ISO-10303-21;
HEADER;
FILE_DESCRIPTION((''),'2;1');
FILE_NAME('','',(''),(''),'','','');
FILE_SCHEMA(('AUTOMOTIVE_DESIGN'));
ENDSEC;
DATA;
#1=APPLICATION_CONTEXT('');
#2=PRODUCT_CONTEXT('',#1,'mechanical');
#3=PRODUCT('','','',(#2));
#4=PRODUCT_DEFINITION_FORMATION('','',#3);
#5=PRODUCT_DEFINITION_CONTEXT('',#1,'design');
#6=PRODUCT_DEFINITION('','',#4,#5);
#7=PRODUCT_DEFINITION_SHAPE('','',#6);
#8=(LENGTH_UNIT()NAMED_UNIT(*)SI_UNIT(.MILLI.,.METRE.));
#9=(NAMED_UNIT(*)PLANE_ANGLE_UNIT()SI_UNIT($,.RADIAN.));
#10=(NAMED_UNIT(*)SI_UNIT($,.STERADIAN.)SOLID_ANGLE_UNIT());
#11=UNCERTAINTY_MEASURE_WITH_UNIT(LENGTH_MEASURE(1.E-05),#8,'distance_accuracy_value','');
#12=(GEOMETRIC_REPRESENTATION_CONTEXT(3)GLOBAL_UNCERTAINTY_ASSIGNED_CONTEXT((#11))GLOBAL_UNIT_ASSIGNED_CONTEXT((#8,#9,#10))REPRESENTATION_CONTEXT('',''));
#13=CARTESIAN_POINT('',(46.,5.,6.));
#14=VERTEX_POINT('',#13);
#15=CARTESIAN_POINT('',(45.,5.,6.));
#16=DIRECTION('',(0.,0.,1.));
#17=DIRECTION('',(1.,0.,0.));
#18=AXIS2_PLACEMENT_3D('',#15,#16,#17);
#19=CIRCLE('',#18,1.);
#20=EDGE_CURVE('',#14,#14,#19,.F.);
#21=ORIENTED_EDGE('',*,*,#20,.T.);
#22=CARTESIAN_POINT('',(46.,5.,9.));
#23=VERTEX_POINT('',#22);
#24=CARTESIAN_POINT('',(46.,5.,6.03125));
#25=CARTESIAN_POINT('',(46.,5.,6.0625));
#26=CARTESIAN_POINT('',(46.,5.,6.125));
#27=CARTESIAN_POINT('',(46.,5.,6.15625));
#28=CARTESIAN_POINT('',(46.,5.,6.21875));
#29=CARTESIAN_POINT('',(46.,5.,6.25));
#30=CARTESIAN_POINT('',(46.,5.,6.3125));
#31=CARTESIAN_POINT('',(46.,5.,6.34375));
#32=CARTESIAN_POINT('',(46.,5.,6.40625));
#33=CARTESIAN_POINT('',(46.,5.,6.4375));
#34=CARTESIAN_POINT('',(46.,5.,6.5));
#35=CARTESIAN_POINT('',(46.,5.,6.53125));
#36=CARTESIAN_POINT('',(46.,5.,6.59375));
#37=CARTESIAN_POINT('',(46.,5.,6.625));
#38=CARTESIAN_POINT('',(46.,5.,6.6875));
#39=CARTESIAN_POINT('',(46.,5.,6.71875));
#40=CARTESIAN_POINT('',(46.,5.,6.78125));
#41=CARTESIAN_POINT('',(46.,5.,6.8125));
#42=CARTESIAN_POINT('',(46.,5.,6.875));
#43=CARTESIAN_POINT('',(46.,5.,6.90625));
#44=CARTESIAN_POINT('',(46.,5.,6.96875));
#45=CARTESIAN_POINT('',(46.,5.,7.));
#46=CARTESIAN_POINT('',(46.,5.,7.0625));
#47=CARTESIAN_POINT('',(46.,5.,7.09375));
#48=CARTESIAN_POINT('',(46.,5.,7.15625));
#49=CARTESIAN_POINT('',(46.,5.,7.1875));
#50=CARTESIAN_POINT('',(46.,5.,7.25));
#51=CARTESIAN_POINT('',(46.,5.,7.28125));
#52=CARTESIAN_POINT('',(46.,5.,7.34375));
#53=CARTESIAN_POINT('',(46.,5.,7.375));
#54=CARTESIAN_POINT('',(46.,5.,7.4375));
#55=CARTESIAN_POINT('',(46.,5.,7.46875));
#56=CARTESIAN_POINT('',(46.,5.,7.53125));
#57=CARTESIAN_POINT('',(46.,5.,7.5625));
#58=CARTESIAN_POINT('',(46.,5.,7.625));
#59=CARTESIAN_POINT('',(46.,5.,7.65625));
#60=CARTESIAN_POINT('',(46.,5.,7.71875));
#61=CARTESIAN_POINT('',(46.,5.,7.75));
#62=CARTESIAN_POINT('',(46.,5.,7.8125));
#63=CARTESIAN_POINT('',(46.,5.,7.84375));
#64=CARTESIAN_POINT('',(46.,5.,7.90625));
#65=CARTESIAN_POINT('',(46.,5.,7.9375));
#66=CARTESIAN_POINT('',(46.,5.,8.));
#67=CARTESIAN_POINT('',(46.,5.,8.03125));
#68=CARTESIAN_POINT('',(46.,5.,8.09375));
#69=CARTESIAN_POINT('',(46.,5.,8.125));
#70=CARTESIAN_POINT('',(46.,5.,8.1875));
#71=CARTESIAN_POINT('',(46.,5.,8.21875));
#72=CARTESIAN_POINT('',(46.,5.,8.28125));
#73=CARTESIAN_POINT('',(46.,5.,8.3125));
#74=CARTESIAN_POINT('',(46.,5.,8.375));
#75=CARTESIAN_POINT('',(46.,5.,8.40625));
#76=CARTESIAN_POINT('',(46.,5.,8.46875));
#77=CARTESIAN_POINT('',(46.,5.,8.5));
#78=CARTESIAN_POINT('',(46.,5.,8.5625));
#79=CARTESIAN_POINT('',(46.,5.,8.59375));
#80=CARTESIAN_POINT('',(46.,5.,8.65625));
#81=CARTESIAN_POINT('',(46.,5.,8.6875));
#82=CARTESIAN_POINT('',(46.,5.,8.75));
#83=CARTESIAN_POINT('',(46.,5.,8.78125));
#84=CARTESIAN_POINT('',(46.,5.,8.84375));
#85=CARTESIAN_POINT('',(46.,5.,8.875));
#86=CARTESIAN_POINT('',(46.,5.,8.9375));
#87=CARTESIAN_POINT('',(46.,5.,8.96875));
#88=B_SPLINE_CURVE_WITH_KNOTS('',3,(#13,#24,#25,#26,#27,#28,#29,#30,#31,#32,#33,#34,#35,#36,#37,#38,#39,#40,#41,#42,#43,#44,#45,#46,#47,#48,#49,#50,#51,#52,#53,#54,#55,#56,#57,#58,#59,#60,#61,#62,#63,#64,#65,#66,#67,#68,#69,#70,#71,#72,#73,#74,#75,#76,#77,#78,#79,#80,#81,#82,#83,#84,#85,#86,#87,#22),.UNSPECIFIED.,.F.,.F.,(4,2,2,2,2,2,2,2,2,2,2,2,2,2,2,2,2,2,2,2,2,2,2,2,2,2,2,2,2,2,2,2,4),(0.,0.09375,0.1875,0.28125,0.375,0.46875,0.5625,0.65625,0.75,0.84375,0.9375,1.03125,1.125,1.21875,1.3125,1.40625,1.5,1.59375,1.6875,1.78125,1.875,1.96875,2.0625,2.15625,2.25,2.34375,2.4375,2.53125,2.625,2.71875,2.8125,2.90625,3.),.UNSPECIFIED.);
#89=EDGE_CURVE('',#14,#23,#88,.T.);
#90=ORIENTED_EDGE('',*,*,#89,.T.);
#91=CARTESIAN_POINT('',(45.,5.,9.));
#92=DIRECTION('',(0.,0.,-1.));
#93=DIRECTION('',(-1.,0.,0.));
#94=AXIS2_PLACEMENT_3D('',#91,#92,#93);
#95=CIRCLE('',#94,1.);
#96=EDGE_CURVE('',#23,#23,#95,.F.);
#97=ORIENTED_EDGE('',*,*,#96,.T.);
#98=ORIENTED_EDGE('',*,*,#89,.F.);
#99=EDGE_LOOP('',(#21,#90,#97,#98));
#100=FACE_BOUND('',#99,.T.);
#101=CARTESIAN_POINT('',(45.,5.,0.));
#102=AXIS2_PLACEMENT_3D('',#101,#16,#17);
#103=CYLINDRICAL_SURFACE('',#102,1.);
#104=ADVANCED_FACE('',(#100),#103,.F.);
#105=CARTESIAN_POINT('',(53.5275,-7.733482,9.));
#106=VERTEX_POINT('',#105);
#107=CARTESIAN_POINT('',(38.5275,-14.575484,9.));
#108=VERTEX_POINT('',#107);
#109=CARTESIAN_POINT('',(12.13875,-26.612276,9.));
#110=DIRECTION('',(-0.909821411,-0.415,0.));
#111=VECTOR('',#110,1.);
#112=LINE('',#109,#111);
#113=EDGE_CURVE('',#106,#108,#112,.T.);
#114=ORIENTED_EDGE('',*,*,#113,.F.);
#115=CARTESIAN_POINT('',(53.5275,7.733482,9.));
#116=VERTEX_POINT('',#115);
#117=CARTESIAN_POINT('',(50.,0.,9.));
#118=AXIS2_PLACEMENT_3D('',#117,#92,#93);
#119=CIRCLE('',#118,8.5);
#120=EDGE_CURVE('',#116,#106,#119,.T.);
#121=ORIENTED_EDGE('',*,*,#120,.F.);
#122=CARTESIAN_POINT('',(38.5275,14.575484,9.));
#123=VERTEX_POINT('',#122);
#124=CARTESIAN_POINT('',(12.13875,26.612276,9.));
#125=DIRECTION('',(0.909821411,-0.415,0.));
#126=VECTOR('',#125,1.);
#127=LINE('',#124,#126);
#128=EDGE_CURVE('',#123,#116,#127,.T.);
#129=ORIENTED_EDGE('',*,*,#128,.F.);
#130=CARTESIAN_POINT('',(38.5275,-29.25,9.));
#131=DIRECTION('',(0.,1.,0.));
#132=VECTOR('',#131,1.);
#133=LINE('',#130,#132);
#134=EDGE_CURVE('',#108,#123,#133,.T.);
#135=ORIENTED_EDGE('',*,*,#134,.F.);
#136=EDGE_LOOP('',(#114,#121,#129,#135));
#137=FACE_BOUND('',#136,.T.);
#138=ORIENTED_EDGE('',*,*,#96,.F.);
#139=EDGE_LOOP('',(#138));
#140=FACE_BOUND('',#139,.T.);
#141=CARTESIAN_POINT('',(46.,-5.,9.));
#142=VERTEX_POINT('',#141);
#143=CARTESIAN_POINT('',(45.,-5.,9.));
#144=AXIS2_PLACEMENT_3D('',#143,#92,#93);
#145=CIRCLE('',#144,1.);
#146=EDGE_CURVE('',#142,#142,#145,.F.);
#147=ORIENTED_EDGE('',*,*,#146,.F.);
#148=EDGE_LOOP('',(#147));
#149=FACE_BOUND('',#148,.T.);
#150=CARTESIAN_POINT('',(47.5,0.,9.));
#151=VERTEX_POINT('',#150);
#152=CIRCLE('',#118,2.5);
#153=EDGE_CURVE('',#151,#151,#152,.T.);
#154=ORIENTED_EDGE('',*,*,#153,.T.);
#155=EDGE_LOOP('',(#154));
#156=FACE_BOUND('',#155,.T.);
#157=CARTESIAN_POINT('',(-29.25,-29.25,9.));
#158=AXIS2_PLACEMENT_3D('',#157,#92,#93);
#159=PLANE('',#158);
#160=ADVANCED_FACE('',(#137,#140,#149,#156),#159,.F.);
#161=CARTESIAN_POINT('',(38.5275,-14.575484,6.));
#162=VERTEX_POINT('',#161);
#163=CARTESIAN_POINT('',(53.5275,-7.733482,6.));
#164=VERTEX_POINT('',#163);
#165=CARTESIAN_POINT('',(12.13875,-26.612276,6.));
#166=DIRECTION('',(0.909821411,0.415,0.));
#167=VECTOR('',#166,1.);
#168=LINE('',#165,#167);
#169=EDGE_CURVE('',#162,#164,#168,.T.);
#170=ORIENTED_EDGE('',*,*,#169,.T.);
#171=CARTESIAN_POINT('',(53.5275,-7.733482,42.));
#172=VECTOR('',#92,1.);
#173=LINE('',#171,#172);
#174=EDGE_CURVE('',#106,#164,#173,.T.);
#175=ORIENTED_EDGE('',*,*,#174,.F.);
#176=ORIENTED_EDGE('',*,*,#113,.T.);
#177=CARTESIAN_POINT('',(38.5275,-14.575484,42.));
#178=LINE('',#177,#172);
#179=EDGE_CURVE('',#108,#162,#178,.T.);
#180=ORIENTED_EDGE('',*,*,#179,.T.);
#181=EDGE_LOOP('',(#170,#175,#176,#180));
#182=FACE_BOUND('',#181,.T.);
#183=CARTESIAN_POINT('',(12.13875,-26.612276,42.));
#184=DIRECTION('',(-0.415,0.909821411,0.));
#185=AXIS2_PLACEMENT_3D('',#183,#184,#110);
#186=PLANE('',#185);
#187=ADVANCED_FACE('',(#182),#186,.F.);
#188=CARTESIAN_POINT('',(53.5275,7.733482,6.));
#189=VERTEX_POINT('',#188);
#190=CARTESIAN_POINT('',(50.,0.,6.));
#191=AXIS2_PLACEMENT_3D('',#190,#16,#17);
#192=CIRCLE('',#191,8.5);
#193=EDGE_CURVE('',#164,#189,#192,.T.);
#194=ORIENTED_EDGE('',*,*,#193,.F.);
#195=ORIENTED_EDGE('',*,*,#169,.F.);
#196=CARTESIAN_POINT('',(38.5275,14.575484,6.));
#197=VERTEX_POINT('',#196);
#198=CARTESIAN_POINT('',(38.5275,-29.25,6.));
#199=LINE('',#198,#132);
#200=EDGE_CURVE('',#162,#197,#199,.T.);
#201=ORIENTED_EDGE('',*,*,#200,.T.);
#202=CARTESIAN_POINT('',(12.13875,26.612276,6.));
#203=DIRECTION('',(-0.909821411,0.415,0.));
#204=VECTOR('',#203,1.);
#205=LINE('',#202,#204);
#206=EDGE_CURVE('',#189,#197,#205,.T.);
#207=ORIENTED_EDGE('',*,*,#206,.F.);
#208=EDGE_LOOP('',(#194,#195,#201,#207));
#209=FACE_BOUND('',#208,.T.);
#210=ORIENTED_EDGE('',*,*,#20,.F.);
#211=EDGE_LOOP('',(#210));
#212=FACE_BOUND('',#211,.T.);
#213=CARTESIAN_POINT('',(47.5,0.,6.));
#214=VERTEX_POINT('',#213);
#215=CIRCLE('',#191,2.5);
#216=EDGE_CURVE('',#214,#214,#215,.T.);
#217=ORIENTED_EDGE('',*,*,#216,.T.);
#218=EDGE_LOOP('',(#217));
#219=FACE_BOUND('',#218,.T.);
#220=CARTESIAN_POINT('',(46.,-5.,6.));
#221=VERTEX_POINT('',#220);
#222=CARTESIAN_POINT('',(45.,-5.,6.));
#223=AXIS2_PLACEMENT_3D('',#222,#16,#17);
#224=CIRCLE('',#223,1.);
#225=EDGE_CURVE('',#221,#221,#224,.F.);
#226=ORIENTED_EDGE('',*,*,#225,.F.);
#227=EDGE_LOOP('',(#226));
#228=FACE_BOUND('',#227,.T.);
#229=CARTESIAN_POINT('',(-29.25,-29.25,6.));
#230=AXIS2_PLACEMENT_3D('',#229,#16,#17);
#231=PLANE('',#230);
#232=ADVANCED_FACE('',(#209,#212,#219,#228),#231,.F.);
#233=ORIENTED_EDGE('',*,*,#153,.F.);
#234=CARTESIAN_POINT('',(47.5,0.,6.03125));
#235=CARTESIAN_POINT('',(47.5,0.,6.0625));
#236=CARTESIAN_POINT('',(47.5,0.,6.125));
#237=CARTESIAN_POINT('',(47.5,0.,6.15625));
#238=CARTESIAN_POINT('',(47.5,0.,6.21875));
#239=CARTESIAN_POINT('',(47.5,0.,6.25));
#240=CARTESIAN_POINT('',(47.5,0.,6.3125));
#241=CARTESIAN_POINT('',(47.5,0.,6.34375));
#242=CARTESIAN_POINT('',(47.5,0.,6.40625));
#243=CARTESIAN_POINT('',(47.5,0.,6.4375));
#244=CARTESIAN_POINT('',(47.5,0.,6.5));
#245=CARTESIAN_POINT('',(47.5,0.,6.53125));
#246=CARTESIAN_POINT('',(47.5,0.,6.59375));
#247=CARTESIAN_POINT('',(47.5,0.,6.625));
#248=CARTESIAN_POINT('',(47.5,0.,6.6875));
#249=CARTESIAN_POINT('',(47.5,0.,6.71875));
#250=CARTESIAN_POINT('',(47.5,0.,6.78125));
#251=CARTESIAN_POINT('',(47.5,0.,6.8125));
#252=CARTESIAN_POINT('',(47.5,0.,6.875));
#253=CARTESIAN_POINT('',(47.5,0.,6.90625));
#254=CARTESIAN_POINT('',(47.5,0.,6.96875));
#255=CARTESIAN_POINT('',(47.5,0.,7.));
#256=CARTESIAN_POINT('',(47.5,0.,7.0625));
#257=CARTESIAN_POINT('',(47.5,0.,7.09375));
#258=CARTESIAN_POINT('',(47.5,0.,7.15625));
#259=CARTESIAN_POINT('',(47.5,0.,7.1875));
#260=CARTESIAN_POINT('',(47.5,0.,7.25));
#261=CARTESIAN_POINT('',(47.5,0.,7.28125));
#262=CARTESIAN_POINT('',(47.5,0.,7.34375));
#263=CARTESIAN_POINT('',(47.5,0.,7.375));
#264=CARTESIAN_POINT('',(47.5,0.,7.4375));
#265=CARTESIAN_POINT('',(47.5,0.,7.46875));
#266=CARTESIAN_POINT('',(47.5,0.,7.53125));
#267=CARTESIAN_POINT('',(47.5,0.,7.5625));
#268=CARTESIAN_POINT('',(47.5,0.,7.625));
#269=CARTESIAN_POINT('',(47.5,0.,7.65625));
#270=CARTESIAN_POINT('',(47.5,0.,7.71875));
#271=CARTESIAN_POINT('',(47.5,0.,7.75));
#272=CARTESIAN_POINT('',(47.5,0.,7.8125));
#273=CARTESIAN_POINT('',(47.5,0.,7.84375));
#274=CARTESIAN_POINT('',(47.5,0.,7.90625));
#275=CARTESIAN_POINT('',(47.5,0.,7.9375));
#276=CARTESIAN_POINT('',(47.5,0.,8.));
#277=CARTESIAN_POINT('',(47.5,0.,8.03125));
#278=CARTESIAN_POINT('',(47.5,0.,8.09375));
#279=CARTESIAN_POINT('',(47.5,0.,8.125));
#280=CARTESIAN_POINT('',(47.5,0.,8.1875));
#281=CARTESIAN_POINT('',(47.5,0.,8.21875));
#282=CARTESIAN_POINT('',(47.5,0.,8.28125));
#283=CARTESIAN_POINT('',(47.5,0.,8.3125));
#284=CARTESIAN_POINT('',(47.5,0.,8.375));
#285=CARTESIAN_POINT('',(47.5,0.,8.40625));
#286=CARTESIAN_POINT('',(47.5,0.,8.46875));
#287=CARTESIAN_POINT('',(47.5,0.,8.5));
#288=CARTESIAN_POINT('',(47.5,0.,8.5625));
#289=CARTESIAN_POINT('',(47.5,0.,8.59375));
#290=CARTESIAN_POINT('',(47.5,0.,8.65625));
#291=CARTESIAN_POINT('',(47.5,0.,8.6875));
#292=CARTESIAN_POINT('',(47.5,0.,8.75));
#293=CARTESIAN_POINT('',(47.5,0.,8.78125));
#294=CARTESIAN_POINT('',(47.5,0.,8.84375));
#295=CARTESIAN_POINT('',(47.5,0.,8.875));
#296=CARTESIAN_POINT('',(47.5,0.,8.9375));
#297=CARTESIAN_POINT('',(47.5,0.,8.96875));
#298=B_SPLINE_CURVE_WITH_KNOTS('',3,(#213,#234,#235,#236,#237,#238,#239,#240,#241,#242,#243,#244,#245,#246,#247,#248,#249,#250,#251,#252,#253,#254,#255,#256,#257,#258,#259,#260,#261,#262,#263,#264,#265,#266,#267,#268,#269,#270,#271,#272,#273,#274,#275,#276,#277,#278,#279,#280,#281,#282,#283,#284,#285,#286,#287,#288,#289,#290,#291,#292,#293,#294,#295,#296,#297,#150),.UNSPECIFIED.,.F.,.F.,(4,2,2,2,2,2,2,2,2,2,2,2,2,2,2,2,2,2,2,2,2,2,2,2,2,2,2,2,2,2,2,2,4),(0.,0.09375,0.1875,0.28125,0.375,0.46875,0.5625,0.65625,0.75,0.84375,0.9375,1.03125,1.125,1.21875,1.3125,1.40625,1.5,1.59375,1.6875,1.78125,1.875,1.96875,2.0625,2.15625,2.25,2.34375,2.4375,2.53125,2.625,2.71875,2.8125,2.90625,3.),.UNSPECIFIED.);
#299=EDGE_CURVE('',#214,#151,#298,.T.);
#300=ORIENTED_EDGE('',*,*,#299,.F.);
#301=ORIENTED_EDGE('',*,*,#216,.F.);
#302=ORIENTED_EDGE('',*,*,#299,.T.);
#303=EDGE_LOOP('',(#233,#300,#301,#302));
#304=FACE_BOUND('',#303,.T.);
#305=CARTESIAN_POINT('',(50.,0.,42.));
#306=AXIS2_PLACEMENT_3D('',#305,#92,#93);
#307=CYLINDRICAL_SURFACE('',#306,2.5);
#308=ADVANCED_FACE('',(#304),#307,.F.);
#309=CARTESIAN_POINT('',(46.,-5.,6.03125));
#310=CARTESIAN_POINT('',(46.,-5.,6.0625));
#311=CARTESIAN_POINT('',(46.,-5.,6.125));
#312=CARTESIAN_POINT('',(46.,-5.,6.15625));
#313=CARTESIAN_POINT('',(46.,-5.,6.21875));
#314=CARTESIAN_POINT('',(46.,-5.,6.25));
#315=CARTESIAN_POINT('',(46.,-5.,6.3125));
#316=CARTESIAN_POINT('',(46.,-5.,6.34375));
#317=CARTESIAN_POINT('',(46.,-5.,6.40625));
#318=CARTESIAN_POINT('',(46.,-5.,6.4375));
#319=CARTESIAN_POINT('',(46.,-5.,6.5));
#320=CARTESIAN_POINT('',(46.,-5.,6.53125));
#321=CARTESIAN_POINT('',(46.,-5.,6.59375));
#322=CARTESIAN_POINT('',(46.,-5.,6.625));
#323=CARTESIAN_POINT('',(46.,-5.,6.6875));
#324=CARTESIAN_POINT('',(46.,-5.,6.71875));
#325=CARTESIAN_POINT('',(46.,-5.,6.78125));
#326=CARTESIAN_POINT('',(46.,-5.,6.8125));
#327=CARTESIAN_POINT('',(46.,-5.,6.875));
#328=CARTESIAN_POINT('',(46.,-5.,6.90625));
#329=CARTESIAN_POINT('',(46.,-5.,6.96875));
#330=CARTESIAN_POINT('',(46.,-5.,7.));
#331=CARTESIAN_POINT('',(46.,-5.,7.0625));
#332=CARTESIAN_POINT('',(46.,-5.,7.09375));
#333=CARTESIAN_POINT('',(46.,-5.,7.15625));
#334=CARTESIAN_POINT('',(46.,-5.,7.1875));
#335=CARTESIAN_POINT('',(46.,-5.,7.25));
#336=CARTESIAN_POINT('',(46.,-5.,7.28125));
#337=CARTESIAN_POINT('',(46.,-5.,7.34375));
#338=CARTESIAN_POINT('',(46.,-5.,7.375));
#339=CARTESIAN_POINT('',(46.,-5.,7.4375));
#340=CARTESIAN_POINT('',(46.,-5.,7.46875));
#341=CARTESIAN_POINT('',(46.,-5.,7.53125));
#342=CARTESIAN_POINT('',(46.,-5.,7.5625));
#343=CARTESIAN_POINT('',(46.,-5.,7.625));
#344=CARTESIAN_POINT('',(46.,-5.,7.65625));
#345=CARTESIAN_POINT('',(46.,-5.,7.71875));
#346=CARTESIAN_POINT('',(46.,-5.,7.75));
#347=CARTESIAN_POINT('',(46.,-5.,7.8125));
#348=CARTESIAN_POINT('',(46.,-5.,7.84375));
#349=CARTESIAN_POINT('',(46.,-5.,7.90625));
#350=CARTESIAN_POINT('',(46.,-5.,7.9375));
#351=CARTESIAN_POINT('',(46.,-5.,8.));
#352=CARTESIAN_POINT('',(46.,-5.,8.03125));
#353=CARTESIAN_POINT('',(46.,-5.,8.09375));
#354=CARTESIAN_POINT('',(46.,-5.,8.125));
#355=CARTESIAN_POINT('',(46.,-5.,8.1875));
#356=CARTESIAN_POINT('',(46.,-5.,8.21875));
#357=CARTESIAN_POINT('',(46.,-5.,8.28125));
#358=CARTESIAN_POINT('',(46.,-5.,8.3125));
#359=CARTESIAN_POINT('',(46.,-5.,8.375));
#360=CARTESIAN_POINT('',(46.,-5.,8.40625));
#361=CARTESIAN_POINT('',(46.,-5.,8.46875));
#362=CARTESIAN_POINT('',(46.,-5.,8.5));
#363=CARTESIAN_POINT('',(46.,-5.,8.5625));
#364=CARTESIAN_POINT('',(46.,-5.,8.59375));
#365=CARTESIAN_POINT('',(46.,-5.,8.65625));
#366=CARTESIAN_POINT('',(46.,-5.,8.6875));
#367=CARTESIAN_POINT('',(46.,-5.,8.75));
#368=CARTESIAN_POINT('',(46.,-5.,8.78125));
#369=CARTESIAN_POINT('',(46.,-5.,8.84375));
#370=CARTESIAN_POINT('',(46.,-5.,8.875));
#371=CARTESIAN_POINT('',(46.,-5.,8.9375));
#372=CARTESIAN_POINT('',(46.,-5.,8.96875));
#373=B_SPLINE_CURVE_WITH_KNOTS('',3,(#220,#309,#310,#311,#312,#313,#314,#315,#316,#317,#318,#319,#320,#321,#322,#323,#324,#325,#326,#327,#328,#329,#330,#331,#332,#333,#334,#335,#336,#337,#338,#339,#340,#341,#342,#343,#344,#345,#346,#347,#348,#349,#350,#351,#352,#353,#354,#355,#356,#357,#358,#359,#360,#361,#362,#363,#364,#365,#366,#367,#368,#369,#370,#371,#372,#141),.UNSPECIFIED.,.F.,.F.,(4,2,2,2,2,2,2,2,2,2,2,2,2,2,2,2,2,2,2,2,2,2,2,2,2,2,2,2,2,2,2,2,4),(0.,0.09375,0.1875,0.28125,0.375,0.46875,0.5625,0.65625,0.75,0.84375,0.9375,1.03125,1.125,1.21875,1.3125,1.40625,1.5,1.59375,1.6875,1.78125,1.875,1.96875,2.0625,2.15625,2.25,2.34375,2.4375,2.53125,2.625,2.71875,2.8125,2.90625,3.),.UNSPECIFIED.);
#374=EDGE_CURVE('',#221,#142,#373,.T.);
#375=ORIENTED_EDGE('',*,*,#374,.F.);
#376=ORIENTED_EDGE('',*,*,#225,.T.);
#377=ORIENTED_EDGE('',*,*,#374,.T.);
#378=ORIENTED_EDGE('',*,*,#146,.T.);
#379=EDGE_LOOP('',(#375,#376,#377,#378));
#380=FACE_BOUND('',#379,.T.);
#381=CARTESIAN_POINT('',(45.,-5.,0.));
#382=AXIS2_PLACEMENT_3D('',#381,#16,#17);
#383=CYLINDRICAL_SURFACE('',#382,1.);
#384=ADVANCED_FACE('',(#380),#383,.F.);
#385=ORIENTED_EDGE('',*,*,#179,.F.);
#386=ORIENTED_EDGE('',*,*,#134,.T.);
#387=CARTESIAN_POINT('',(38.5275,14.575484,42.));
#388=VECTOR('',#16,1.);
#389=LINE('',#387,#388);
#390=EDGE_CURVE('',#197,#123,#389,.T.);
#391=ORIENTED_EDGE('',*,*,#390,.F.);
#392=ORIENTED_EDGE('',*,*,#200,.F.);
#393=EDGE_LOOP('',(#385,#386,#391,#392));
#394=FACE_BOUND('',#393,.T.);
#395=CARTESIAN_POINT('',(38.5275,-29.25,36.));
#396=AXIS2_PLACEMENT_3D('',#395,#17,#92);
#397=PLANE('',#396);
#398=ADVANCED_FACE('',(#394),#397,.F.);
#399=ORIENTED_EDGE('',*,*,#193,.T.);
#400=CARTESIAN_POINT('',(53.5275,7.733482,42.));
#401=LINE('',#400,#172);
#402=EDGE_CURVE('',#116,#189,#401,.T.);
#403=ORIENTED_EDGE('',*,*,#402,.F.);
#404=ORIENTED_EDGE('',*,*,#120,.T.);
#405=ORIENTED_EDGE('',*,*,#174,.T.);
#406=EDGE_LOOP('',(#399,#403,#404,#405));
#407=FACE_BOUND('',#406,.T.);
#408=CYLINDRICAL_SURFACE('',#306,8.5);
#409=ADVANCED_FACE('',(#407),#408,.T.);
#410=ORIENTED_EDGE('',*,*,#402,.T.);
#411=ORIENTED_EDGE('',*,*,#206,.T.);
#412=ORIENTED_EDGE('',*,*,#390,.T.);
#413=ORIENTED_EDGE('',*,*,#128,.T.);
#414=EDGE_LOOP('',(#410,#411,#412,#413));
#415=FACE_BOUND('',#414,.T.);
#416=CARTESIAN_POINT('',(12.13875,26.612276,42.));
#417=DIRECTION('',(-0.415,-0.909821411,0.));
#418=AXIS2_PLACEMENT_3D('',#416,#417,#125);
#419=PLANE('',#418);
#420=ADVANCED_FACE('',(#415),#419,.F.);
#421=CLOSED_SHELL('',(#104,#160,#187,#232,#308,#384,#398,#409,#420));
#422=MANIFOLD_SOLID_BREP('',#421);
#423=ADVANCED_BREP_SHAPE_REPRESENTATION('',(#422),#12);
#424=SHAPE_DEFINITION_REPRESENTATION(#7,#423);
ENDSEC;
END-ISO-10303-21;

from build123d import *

# Parameters (mm, degrees)
ESQUISSE1_R                  = 19.25
ESQUISSE1_R_2                = 2.5
BOSS_EXTRU_1_DEPTH           = 42
ENL_V_MAT_EXTRU_1_DEPTH      = 74.881298321
ENL_V_MAT_EXTRU_1_DEPTH_BACK = 74.881298321
ESQUISSE2_W                  = 90
ESQUISSE2_H                  = 30
ESQUISSE3_R                  = 1
ENL_V_MAT_EXTRU_2_DEPTH      = 42
ENL_V_MAT_EXTRU_3_DEPTH      = 78.729096869
ENL_V_MAT_EXTRU_3_DEPTH_BACK = 78.729096869
ESQUISSE4_W                  = 87.75
ESQUISSE4_H                  = 33
ESQUISSE4_H_2                = 6


with BuildPart() as part:
    # Esquisse1 → Boss.-Extru.1 (new body)
    with BuildSketch(Plane.XY):
        with BuildLine():
            Line((12.13875, 26.612276273), (53.5275, 7.733481994))
            ThreePointArc((53.5275, 7.733481994), (58.5, 0), (53.5275, -7.733481994))
            Line((53.5275, -7.733481994), (12.13875, -26.612276273))
            ThreePointArc((12.13875, -26.612276273), (-29.25, 0), (12.13875, 26.612276273))
        make_face()
        with Locations(Location((0, 0, 0), (0, 0, 180))):
            Circle(ESQUISSE1_R, mode=Mode.SUBTRACT)
        with Locations(Location((50, 0, 0), (0, 0, 180))):
            Circle(ESQUISSE1_R_2, mode=Mode.SUBTRACT)
    extrude(amount=BOSS_EXTRU_1_DEPTH)

    # Esquisse2 → Enlèv. mat.-Extru.1 (cut, two sides: drawn at the far end of the back side and taken through both)
    with BuildSketch(Plane(origin=(5.218823759, 0, 0), x_dir=(1, 0, 0), z_dir=(0, 1, 0)).offset(-ENL_V_MAT_EXTRU_1_DEPTH_BACK)):
        with Locations((-11.691323759, -21)):
            Rectangle(ESQUISSE2_W, ESQUISSE2_H)
    extrude(amount=ENL_V_MAT_EXTRU_1_DEPTH + ENL_V_MAT_EXTRU_1_DEPTH_BACK, mode=Mode.SUBTRACT)

    # Esquisse3 → Enlèv. mat.-Extru.2 (cut)
    with BuildSketch(Plane.XY.offset(42)):
        with Locations((45, 5)):
            Circle(ESQUISSE3_R)
        with Locations((45, -5)):
            Circle(ESQUISSE3_R)
        with Locations((-15, 19)):
            Circle(ESQUISSE3_R)
        with Locations((-15, -19)):
            Circle(ESQUISSE3_R)
    extrude(amount=-ENL_V_MAT_EXTRU_2_DEPTH, mode=Mode.SUBTRACT)

    # Esquisse4 → Enlèv. mat.-Extru.3 (cut, two sides: drawn at the far end of the back side and taken through both)
    with BuildSketch(Plane(origin=(0, 0, 0), x_dir=(1, 0, 0), z_dir=(0, 1, 0)).offset(-ENL_V_MAT_EXTRU_3_DEPTH_BACK)):
        with Locations((14.625, -25.5)):
            Rectangle(ESQUISSE4_W, ESQUISSE4_H)
        with Locations((14.625, -3)):
            Rectangle(ESQUISSE4_W, ESQUISSE4_H_2)
    extrude(amount=ENL_V_MAT_EXTRU_3_DEPTH + ENL_V_MAT_EXTRU_3_DEPTH_BACK, mode=Mode.SUBTRACT)


solid = part.part
